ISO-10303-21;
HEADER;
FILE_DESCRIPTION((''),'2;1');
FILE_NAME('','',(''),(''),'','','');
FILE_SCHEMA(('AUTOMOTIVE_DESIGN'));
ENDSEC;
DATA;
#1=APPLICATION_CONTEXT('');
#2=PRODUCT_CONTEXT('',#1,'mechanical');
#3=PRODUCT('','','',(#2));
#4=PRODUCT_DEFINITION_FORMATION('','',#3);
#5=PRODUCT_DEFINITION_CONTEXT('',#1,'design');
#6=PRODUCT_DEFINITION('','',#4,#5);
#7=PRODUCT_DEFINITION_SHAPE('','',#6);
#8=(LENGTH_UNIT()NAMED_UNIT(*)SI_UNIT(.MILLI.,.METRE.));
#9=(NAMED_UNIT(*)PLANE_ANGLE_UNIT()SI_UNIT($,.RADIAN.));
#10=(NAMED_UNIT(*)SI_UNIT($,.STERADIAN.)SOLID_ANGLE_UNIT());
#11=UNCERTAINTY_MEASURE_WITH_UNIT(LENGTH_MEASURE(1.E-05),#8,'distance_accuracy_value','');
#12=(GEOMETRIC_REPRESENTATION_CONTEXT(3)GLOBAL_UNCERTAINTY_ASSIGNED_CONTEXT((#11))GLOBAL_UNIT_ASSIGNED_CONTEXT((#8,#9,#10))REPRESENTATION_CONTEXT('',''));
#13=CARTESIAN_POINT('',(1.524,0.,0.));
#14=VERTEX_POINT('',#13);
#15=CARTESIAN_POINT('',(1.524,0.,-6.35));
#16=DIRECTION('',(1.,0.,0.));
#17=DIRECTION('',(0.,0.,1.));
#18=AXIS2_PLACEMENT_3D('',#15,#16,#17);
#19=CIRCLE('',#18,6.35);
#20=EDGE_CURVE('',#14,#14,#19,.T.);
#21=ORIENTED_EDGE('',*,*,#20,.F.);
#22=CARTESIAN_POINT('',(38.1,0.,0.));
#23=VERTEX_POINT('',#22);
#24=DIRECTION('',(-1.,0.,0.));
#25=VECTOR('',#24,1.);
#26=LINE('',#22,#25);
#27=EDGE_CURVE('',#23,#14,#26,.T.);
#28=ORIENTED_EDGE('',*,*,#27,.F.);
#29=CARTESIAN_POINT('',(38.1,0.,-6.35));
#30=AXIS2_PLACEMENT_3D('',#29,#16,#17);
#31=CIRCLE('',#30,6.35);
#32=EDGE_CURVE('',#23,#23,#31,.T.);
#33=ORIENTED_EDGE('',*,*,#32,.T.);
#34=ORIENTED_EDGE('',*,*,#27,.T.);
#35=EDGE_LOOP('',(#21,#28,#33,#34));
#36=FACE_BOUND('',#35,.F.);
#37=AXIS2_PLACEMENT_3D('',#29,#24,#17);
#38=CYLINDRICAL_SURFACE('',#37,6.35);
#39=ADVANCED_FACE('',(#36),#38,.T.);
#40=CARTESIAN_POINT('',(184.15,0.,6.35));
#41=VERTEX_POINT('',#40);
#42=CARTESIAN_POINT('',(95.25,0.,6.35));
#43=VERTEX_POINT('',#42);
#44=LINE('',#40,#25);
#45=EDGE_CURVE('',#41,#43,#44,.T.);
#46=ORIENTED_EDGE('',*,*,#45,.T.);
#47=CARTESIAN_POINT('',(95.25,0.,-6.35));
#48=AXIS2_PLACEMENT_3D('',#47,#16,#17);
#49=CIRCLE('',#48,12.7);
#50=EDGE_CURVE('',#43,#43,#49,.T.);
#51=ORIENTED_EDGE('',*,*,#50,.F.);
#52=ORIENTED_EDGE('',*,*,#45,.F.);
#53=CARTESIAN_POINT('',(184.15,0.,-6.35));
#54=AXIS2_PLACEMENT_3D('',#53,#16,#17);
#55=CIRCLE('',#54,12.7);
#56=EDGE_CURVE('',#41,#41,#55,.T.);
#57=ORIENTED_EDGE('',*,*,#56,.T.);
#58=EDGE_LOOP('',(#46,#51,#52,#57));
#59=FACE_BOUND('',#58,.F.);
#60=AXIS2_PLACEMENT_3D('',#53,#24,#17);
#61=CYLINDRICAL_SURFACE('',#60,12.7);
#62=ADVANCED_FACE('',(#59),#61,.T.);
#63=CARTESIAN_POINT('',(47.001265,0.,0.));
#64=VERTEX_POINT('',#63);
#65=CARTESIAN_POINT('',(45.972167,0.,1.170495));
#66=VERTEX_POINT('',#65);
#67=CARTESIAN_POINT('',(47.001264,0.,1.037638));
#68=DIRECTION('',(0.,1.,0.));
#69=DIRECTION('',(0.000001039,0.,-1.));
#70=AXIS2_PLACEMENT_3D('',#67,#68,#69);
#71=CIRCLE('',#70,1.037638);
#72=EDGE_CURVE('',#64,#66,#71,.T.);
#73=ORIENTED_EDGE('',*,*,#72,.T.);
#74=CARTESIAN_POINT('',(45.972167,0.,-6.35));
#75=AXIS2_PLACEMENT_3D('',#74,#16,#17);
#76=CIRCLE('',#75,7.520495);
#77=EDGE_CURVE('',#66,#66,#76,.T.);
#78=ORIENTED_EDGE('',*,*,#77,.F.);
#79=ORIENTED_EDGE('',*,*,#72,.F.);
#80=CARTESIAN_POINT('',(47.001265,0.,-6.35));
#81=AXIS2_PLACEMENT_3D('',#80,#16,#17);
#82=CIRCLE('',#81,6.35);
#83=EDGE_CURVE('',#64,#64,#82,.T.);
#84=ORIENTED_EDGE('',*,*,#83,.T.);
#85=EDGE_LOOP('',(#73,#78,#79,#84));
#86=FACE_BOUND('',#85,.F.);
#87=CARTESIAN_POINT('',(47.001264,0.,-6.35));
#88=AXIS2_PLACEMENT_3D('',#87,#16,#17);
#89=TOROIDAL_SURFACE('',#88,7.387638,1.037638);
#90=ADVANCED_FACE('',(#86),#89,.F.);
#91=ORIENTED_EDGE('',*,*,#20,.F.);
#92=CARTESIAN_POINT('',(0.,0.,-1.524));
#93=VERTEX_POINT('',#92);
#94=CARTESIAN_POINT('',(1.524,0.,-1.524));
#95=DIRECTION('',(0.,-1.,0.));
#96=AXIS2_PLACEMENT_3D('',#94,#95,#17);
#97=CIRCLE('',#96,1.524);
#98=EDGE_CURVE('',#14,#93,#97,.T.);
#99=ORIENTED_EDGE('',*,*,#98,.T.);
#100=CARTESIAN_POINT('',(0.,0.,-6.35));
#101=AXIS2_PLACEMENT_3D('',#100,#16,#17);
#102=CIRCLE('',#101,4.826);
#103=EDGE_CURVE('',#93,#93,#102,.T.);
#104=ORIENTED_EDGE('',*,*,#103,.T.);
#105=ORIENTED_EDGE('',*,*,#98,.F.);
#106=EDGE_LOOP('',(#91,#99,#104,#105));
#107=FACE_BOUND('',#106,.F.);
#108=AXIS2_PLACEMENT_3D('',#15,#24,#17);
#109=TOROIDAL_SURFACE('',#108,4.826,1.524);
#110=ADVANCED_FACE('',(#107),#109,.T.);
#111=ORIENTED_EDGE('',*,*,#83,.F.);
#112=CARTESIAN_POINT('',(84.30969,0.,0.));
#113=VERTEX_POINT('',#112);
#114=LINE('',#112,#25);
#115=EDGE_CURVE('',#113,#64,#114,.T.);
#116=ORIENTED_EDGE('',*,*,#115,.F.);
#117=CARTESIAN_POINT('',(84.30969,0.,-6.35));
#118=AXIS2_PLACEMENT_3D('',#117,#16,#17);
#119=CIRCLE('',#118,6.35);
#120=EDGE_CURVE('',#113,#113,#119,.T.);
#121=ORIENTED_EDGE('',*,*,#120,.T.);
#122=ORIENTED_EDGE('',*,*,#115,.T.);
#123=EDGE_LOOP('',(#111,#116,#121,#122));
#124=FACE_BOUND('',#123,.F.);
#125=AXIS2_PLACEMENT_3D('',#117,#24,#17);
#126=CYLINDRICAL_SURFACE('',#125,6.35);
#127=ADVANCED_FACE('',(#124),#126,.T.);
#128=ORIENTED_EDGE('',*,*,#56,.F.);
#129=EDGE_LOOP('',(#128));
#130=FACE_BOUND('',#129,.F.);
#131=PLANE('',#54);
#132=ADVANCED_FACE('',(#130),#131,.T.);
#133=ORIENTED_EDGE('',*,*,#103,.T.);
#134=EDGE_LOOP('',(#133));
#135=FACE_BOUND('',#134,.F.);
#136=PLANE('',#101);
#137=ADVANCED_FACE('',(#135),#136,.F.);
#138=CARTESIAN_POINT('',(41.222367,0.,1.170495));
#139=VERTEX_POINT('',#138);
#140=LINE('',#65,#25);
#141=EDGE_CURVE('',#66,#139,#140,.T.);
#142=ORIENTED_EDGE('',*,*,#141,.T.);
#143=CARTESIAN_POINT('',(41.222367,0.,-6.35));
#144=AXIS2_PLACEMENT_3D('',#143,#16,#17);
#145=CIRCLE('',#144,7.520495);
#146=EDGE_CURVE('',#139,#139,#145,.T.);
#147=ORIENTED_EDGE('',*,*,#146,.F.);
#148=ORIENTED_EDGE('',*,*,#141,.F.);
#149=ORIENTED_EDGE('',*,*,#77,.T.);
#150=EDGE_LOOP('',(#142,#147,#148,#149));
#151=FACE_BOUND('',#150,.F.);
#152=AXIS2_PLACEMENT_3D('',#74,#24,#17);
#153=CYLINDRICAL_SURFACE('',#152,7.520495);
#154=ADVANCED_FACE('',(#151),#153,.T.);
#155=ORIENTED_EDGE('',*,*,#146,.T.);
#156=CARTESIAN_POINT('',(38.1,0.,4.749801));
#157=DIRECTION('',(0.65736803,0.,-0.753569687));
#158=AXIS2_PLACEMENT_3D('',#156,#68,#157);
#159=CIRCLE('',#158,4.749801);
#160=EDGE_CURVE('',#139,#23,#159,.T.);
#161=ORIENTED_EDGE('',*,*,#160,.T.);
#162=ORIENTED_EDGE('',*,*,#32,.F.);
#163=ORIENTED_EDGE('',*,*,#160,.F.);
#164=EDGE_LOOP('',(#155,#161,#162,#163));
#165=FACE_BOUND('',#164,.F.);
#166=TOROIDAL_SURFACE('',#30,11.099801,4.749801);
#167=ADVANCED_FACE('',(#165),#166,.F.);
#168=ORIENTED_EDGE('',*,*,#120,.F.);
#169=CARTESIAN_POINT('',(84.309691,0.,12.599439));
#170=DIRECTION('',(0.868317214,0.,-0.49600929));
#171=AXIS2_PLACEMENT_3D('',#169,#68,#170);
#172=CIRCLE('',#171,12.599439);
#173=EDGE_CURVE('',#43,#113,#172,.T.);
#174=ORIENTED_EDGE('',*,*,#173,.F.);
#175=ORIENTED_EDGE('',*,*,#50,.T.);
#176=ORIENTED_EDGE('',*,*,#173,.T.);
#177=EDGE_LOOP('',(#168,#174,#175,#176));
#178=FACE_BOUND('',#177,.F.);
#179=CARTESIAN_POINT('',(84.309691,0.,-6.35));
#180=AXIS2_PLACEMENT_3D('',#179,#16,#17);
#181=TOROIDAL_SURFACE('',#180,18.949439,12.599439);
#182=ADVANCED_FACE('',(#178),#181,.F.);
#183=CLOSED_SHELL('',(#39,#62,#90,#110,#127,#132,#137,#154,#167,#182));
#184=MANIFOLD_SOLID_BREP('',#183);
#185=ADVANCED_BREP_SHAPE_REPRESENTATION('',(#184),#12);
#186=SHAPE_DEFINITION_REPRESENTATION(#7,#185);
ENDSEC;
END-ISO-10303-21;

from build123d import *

# Parameters (mm, degrees)
F2_R = 1.524


with BuildPart() as f1:
    # F0 (on Front) → F1 (revolve)
    with BuildSketch(Plane.XZ):
        with BuildLine():
            Line((38.1, 0), (0, 0))
            Line((0, 0), (0, -6.35))
            Line((0, -6.35), (184.15, -6.35))
            Line((184.15, -6.35), (184.15, 6.35))
            Line((184.15, 6.35), (95.25, 6.35))
            ThreePointArc((95.25, 6.35), (90.6345, 1.702529), (84.30969, 0))
            Line((84.30969, 0), (47.001265, 0))
            ThreePointArc((47.001265, 0), (46.221986, 0.352497), (45.972167, 1.170495))
            Line((45.972167, 1.170495), (41.222367, 1.170495))
            ThreePointArc((41.222367, 1.170495), (39.767276, 0.30224), (38.1, 0))
        make_face()
    revolve(axis=Axis((92.075, 0, -6.35), (1, 0, 0)))

    # F2
    f2_edges = [f1.edges().sort_by_distance(p)[0] for p in [
        (0, 0, -12.7),
    ]]
    fillet(f2_edges, radius=F2_R)


solid = f1.part
